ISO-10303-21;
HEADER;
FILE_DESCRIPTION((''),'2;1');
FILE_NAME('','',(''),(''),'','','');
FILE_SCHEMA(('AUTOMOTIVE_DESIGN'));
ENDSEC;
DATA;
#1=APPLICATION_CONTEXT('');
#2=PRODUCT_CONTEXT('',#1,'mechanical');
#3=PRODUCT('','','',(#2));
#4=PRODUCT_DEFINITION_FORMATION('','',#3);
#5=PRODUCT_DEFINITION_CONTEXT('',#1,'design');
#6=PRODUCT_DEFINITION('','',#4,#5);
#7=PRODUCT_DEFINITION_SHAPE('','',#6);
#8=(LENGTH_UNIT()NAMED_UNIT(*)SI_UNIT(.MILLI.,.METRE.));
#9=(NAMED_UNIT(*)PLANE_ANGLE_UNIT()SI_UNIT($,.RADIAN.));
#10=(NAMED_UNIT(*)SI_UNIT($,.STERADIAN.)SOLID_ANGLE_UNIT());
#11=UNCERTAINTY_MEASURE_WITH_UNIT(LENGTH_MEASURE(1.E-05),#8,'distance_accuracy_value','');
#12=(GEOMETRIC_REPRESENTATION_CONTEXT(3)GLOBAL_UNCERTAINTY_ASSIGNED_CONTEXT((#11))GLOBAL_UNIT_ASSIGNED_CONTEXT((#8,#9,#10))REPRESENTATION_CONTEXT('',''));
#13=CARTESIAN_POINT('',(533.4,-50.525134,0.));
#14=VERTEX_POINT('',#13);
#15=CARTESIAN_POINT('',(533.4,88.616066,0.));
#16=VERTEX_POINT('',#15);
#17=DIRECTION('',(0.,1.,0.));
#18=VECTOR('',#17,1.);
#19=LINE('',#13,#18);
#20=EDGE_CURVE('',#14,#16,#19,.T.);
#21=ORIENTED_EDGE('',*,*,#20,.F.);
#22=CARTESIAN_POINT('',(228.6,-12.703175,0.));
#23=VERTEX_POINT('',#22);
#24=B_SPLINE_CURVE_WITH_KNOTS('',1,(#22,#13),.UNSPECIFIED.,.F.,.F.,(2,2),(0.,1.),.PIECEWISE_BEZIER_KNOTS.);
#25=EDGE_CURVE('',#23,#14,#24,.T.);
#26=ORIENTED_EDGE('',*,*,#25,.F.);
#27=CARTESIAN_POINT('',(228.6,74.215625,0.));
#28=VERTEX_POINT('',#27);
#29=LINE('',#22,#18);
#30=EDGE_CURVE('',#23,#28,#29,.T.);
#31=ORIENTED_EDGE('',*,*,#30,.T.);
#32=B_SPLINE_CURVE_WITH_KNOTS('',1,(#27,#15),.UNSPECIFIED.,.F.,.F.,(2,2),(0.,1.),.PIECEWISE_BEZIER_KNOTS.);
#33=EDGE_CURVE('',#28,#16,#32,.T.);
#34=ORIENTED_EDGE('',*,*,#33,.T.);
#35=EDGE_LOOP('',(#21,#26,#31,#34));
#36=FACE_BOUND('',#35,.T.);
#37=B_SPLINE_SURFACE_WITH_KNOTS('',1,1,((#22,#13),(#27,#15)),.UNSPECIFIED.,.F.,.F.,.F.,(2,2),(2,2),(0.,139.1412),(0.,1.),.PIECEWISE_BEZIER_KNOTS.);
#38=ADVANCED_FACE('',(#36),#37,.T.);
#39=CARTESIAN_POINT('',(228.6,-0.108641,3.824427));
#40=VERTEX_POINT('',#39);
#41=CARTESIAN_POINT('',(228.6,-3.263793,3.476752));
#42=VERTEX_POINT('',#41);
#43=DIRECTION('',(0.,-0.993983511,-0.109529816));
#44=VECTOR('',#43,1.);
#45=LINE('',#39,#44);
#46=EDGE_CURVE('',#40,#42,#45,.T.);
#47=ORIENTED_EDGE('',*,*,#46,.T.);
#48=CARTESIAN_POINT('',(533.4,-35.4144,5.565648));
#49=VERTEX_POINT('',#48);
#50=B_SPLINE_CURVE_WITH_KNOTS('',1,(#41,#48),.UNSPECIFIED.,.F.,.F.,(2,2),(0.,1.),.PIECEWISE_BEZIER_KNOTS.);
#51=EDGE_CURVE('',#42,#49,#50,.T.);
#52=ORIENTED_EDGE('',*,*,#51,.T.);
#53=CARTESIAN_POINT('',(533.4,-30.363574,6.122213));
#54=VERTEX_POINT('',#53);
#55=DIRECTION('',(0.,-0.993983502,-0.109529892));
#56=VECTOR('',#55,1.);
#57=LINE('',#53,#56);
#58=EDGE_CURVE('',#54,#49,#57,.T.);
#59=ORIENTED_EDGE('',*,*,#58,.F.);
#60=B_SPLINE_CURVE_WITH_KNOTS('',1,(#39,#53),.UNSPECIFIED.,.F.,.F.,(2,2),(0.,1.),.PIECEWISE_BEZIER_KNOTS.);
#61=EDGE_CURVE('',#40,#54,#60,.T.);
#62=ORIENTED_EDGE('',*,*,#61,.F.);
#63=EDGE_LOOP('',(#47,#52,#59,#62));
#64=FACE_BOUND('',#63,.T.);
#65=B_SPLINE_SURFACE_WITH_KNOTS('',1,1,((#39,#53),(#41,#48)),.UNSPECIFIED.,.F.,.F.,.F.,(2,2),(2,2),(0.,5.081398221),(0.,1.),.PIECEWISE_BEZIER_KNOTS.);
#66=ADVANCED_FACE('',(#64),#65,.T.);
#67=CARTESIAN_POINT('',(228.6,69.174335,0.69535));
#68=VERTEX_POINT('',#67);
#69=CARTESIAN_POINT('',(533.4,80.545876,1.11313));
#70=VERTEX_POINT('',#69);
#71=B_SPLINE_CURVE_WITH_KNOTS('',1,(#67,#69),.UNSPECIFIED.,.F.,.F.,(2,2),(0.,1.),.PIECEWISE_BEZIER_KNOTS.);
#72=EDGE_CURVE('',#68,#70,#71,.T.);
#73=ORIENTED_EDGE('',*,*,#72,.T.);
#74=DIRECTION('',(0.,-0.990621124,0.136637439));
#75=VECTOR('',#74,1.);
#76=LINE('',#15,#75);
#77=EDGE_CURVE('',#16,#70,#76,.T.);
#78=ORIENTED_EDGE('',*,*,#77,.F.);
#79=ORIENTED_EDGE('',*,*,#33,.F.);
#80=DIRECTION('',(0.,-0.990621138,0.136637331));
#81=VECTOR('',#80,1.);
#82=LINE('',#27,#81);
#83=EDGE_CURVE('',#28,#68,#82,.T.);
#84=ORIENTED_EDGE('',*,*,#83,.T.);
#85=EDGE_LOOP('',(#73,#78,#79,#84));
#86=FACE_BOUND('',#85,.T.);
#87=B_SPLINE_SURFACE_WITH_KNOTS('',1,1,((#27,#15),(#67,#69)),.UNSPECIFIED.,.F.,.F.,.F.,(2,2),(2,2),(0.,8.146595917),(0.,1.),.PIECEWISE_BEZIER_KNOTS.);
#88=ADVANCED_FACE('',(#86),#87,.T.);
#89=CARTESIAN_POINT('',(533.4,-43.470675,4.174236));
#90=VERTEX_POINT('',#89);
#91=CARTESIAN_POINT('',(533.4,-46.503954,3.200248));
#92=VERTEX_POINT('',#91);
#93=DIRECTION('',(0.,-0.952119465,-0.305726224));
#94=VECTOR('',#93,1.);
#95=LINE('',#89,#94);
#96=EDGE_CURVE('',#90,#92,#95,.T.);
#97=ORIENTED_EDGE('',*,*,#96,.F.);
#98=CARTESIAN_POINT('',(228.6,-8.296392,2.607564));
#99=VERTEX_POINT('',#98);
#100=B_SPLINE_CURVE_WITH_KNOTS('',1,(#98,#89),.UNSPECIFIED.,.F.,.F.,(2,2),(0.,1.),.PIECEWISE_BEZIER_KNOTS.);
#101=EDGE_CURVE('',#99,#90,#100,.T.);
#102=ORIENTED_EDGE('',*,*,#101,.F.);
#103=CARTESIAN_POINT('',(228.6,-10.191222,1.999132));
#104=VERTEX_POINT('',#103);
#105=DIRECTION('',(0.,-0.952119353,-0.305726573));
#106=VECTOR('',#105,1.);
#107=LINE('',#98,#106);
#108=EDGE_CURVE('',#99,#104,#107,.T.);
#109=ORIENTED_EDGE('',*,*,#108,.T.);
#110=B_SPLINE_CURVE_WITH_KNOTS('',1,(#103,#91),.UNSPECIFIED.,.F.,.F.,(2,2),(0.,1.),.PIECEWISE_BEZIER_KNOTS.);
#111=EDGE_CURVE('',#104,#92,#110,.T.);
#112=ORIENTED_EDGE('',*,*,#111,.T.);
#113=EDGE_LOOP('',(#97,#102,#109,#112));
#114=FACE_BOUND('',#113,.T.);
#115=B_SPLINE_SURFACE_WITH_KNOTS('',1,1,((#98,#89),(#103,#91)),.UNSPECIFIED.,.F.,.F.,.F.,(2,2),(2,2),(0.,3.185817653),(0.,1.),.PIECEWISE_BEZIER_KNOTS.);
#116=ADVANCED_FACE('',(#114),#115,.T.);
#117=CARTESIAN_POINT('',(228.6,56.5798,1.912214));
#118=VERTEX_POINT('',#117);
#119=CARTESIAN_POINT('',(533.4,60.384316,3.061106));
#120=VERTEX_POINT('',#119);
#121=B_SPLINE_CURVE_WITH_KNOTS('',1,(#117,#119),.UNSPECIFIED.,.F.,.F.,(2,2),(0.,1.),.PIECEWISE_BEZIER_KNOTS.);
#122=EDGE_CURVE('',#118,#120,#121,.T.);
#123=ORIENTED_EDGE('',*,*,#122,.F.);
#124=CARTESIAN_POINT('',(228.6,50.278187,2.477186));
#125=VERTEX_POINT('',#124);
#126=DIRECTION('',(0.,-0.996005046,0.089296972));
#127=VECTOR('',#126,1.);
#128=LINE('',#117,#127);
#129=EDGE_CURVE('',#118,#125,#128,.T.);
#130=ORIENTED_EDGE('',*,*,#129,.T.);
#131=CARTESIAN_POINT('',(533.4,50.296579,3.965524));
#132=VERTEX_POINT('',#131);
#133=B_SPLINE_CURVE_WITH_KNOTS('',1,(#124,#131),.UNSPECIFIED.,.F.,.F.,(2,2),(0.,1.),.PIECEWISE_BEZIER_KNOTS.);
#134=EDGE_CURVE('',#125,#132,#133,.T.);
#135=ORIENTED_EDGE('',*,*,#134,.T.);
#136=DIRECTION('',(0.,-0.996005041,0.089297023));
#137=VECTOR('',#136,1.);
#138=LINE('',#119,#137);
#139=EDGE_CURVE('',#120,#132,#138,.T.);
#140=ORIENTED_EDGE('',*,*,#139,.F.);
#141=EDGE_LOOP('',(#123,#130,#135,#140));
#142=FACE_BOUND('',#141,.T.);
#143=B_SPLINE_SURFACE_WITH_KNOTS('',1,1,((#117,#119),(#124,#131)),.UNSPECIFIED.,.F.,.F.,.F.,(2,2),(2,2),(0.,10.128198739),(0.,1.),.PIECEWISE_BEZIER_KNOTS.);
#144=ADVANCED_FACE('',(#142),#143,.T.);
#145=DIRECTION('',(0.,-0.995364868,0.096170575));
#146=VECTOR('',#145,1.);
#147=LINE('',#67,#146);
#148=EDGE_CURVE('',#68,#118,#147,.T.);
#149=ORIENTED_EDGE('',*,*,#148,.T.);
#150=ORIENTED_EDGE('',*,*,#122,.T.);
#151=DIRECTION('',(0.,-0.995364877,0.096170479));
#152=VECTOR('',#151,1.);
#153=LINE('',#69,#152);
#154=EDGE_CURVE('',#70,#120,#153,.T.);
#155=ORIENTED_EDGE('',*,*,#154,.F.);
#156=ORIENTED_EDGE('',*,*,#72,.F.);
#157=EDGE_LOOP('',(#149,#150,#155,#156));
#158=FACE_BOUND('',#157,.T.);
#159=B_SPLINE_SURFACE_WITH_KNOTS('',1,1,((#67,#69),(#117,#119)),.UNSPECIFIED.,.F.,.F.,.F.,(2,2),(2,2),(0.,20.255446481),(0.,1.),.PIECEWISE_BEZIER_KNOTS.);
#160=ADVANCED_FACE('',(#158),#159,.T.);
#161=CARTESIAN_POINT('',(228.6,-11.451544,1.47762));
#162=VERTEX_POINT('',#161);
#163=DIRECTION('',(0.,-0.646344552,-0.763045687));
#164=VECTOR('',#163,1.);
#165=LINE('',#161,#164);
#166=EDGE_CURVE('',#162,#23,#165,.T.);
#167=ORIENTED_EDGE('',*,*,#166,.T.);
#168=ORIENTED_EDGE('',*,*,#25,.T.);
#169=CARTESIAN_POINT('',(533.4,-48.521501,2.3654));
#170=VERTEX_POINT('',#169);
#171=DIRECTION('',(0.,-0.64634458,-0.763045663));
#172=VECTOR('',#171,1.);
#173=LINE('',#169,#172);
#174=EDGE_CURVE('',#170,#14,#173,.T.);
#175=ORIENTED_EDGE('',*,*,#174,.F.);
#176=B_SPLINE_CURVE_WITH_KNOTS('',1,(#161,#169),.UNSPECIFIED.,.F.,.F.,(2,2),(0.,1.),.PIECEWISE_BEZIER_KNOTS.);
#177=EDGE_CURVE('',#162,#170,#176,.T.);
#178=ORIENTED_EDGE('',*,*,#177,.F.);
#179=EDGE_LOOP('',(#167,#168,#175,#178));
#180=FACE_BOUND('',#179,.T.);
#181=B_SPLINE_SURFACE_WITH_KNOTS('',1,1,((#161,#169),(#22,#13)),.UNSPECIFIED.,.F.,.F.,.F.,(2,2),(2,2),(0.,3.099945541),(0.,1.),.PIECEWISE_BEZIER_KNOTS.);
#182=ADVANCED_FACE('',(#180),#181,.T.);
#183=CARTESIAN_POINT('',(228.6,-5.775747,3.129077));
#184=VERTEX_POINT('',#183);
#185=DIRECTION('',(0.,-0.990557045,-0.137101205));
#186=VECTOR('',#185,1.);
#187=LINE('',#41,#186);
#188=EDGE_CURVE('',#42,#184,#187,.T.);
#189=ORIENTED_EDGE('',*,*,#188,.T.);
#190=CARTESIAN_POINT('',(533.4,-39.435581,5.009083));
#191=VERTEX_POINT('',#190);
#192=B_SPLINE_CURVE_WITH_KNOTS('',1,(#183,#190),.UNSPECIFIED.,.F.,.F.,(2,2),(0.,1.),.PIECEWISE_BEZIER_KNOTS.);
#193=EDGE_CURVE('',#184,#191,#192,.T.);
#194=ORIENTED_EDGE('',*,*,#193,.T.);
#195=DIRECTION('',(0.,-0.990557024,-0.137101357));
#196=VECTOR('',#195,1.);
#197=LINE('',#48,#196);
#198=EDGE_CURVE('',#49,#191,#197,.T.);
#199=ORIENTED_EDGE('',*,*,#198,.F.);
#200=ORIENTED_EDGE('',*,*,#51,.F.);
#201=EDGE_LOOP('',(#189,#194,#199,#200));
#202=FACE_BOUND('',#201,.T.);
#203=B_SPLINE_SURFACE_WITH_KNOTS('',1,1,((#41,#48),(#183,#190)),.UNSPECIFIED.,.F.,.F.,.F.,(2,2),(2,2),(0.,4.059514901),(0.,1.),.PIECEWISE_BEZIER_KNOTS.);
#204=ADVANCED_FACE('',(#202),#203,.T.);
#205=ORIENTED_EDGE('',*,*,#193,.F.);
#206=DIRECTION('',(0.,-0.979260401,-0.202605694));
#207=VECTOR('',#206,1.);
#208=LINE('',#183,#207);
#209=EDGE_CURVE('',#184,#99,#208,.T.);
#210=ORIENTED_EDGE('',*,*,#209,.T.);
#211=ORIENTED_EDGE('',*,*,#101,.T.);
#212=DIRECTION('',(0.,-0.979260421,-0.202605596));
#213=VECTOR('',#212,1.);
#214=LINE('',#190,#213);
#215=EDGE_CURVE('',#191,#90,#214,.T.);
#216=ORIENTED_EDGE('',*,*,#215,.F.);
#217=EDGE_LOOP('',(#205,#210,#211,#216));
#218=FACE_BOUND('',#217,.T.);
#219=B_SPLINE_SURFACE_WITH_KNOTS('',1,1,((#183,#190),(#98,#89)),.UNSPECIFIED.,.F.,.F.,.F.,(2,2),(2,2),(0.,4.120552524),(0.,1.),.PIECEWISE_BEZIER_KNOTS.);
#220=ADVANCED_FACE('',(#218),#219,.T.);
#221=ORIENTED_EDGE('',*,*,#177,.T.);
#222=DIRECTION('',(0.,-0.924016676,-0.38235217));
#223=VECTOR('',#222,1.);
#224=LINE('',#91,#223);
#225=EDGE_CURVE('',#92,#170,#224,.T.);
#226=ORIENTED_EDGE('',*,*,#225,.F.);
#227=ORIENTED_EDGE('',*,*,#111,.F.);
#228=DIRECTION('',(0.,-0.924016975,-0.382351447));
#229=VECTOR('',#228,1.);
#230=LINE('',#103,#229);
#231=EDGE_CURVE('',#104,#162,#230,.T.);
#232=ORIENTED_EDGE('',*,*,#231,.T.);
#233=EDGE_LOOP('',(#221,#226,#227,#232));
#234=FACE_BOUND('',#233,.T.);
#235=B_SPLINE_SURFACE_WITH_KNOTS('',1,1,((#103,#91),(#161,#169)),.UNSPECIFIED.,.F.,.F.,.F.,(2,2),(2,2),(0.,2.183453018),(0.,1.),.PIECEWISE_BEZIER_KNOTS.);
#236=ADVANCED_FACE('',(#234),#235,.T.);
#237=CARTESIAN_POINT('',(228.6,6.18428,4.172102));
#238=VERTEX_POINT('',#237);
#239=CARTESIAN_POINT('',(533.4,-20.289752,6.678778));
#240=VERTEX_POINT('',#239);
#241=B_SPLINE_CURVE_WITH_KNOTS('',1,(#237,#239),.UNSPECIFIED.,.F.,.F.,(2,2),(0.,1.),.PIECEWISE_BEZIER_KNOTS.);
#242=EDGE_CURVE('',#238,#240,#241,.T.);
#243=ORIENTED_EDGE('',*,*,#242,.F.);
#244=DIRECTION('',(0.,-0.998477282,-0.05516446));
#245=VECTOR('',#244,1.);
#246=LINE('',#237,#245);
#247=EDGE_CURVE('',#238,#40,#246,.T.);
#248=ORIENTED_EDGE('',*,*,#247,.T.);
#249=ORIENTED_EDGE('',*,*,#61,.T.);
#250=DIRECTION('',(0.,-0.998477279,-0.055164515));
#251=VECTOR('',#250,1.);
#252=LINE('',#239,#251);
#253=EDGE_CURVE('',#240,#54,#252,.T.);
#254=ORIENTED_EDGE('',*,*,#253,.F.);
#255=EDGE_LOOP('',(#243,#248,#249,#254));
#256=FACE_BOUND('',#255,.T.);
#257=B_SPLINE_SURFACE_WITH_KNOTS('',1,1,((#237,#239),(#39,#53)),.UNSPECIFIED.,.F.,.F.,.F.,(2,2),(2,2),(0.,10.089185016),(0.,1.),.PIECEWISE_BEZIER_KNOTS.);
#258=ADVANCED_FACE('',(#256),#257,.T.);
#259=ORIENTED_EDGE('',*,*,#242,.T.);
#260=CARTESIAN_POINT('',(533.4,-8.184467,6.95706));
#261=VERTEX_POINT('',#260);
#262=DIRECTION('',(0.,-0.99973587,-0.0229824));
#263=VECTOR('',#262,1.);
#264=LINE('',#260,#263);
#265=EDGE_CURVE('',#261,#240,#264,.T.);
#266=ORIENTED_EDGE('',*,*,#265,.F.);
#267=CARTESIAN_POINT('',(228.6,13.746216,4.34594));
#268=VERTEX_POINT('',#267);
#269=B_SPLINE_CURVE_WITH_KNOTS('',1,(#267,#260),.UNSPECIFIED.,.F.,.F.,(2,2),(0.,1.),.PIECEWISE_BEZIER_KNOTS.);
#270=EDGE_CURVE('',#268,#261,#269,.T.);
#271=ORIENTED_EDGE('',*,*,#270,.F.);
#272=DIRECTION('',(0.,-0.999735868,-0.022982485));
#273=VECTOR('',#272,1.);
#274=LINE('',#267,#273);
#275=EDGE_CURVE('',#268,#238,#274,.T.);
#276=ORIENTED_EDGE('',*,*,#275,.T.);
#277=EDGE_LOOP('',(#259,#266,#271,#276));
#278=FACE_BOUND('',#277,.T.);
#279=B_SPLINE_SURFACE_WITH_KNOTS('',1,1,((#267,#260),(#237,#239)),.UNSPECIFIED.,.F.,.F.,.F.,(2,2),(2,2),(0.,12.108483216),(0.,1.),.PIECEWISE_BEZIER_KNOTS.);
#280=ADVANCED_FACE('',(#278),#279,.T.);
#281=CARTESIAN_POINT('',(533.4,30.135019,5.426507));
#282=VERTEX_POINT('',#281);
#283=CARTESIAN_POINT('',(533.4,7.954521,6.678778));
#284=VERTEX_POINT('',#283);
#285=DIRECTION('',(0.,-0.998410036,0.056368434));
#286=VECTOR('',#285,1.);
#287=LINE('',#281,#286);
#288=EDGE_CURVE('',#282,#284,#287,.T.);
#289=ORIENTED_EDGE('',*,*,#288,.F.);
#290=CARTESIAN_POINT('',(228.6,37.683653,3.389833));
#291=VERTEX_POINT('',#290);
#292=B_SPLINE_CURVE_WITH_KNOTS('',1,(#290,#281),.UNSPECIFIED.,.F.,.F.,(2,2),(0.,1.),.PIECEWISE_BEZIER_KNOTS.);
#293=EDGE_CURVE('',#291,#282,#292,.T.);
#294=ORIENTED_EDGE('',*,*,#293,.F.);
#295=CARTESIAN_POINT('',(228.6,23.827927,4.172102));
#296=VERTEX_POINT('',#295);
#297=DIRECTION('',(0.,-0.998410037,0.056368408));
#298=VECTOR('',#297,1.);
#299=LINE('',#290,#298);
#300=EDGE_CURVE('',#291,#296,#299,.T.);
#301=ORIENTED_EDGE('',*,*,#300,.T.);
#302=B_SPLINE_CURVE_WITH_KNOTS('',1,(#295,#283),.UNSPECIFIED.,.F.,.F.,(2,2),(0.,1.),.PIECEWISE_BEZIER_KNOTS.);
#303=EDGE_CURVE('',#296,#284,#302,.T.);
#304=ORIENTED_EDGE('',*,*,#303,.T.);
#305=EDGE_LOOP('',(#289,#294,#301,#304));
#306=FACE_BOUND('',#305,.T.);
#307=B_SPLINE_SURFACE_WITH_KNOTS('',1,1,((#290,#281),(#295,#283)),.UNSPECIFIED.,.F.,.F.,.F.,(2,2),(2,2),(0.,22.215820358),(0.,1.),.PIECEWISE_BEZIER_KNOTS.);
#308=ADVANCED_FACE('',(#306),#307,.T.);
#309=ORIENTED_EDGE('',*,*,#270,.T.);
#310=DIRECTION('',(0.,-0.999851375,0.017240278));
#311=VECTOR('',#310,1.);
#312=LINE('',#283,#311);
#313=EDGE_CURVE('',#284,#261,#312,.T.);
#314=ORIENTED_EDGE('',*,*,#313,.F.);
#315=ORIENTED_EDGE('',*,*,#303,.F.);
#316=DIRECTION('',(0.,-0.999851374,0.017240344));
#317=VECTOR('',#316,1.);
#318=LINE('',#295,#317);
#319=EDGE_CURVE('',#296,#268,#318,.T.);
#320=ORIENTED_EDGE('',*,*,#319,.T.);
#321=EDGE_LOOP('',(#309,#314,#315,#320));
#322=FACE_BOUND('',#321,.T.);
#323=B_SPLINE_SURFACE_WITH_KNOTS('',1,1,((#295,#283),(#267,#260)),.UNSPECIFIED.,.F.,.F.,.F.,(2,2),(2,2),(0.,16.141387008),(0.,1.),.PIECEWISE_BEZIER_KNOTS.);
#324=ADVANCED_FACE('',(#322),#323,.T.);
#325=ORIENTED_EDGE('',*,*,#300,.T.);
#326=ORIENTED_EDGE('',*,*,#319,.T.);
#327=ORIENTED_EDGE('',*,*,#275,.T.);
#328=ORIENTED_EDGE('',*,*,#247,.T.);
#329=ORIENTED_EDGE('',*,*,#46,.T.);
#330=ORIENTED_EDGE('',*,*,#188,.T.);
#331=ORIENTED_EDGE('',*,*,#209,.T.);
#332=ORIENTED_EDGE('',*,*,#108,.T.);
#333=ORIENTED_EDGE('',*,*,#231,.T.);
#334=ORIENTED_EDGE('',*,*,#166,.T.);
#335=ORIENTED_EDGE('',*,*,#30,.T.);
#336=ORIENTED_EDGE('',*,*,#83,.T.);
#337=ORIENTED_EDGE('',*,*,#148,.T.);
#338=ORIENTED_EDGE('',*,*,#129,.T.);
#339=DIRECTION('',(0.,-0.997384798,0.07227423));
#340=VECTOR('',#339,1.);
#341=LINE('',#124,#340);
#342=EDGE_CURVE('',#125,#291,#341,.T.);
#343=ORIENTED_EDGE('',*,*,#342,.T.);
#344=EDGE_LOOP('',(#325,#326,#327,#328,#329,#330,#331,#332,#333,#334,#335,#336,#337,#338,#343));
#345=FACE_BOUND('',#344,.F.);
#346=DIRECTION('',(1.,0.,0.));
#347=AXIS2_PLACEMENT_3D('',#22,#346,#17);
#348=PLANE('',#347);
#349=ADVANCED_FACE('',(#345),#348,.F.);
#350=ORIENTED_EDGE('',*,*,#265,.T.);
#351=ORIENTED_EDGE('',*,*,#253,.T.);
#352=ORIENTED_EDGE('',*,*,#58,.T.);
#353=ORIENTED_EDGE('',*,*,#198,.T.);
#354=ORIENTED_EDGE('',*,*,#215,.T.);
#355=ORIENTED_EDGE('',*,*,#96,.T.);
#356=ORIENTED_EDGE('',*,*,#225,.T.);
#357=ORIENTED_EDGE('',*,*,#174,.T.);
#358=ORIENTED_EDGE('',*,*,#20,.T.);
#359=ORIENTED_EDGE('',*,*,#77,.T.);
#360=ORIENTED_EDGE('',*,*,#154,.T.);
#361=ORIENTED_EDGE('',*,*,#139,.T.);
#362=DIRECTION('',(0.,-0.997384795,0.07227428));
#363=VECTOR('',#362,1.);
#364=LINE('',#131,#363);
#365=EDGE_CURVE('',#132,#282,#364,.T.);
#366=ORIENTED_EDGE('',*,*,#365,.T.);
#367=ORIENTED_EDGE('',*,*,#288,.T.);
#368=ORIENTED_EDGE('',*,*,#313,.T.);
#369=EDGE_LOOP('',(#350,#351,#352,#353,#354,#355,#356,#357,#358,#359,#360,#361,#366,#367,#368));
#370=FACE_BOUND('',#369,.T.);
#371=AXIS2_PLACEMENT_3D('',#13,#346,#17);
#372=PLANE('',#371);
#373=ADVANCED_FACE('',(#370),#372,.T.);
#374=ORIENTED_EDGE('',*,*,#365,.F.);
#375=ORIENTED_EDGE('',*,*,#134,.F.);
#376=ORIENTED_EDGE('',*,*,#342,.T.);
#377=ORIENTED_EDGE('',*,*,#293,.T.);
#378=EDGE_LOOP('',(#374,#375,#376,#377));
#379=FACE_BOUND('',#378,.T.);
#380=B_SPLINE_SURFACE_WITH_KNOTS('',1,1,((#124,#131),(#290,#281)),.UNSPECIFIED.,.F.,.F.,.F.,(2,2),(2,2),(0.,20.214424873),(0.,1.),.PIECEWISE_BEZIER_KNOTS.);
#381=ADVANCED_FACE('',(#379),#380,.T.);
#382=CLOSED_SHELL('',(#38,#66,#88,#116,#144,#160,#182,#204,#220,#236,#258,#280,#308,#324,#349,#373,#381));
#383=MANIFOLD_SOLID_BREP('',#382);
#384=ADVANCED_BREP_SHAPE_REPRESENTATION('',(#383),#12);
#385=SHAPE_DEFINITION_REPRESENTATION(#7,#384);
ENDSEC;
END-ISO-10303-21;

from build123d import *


with BuildPart() as f4:
    # F2 (on offset) → F4 section 0
    with BuildSketch(Plane.YZ.offset(228.6)):
        Polygon((-12.703175, 0), (74.215625, 0), (69.174335, 0.69535), (56.5798, 1.912214), (50.278187, 2.477186), (37.683653, 3.389833), (23.827927, 4.172102), (13.746216, 4.34594), (6.18428, 4.172102), (-0.108641, 3.824427), (-3.263793, 3.476752), (-5.775747, 3.129077), (-8.296392, 2.607564), (-10.191222, 1.999132), (-11.451544, 1.47762), align=None)
    # F3 (on offset) → F4 section 1
    with BuildSketch(Plane.YZ.offset(533.4)):
        Polygon((-48.521501, 2.3654), (-50.525134, 0), (88.616066, 0), (80.545876, 1.11313), (60.384316, 3.061106), (50.296579, 3.965524), (30.135019, 5.426507), (7.954521, 6.678778), (-8.184467, 6.95706), (-20.289752, 6.678778), (-30.363574, 6.122213), (-35.4144, 5.565648), (-39.435581, 5.009083), (-43.470675, 4.174236), (-46.503954, 3.200248), align=None)
    loft()


solid = f4.part
